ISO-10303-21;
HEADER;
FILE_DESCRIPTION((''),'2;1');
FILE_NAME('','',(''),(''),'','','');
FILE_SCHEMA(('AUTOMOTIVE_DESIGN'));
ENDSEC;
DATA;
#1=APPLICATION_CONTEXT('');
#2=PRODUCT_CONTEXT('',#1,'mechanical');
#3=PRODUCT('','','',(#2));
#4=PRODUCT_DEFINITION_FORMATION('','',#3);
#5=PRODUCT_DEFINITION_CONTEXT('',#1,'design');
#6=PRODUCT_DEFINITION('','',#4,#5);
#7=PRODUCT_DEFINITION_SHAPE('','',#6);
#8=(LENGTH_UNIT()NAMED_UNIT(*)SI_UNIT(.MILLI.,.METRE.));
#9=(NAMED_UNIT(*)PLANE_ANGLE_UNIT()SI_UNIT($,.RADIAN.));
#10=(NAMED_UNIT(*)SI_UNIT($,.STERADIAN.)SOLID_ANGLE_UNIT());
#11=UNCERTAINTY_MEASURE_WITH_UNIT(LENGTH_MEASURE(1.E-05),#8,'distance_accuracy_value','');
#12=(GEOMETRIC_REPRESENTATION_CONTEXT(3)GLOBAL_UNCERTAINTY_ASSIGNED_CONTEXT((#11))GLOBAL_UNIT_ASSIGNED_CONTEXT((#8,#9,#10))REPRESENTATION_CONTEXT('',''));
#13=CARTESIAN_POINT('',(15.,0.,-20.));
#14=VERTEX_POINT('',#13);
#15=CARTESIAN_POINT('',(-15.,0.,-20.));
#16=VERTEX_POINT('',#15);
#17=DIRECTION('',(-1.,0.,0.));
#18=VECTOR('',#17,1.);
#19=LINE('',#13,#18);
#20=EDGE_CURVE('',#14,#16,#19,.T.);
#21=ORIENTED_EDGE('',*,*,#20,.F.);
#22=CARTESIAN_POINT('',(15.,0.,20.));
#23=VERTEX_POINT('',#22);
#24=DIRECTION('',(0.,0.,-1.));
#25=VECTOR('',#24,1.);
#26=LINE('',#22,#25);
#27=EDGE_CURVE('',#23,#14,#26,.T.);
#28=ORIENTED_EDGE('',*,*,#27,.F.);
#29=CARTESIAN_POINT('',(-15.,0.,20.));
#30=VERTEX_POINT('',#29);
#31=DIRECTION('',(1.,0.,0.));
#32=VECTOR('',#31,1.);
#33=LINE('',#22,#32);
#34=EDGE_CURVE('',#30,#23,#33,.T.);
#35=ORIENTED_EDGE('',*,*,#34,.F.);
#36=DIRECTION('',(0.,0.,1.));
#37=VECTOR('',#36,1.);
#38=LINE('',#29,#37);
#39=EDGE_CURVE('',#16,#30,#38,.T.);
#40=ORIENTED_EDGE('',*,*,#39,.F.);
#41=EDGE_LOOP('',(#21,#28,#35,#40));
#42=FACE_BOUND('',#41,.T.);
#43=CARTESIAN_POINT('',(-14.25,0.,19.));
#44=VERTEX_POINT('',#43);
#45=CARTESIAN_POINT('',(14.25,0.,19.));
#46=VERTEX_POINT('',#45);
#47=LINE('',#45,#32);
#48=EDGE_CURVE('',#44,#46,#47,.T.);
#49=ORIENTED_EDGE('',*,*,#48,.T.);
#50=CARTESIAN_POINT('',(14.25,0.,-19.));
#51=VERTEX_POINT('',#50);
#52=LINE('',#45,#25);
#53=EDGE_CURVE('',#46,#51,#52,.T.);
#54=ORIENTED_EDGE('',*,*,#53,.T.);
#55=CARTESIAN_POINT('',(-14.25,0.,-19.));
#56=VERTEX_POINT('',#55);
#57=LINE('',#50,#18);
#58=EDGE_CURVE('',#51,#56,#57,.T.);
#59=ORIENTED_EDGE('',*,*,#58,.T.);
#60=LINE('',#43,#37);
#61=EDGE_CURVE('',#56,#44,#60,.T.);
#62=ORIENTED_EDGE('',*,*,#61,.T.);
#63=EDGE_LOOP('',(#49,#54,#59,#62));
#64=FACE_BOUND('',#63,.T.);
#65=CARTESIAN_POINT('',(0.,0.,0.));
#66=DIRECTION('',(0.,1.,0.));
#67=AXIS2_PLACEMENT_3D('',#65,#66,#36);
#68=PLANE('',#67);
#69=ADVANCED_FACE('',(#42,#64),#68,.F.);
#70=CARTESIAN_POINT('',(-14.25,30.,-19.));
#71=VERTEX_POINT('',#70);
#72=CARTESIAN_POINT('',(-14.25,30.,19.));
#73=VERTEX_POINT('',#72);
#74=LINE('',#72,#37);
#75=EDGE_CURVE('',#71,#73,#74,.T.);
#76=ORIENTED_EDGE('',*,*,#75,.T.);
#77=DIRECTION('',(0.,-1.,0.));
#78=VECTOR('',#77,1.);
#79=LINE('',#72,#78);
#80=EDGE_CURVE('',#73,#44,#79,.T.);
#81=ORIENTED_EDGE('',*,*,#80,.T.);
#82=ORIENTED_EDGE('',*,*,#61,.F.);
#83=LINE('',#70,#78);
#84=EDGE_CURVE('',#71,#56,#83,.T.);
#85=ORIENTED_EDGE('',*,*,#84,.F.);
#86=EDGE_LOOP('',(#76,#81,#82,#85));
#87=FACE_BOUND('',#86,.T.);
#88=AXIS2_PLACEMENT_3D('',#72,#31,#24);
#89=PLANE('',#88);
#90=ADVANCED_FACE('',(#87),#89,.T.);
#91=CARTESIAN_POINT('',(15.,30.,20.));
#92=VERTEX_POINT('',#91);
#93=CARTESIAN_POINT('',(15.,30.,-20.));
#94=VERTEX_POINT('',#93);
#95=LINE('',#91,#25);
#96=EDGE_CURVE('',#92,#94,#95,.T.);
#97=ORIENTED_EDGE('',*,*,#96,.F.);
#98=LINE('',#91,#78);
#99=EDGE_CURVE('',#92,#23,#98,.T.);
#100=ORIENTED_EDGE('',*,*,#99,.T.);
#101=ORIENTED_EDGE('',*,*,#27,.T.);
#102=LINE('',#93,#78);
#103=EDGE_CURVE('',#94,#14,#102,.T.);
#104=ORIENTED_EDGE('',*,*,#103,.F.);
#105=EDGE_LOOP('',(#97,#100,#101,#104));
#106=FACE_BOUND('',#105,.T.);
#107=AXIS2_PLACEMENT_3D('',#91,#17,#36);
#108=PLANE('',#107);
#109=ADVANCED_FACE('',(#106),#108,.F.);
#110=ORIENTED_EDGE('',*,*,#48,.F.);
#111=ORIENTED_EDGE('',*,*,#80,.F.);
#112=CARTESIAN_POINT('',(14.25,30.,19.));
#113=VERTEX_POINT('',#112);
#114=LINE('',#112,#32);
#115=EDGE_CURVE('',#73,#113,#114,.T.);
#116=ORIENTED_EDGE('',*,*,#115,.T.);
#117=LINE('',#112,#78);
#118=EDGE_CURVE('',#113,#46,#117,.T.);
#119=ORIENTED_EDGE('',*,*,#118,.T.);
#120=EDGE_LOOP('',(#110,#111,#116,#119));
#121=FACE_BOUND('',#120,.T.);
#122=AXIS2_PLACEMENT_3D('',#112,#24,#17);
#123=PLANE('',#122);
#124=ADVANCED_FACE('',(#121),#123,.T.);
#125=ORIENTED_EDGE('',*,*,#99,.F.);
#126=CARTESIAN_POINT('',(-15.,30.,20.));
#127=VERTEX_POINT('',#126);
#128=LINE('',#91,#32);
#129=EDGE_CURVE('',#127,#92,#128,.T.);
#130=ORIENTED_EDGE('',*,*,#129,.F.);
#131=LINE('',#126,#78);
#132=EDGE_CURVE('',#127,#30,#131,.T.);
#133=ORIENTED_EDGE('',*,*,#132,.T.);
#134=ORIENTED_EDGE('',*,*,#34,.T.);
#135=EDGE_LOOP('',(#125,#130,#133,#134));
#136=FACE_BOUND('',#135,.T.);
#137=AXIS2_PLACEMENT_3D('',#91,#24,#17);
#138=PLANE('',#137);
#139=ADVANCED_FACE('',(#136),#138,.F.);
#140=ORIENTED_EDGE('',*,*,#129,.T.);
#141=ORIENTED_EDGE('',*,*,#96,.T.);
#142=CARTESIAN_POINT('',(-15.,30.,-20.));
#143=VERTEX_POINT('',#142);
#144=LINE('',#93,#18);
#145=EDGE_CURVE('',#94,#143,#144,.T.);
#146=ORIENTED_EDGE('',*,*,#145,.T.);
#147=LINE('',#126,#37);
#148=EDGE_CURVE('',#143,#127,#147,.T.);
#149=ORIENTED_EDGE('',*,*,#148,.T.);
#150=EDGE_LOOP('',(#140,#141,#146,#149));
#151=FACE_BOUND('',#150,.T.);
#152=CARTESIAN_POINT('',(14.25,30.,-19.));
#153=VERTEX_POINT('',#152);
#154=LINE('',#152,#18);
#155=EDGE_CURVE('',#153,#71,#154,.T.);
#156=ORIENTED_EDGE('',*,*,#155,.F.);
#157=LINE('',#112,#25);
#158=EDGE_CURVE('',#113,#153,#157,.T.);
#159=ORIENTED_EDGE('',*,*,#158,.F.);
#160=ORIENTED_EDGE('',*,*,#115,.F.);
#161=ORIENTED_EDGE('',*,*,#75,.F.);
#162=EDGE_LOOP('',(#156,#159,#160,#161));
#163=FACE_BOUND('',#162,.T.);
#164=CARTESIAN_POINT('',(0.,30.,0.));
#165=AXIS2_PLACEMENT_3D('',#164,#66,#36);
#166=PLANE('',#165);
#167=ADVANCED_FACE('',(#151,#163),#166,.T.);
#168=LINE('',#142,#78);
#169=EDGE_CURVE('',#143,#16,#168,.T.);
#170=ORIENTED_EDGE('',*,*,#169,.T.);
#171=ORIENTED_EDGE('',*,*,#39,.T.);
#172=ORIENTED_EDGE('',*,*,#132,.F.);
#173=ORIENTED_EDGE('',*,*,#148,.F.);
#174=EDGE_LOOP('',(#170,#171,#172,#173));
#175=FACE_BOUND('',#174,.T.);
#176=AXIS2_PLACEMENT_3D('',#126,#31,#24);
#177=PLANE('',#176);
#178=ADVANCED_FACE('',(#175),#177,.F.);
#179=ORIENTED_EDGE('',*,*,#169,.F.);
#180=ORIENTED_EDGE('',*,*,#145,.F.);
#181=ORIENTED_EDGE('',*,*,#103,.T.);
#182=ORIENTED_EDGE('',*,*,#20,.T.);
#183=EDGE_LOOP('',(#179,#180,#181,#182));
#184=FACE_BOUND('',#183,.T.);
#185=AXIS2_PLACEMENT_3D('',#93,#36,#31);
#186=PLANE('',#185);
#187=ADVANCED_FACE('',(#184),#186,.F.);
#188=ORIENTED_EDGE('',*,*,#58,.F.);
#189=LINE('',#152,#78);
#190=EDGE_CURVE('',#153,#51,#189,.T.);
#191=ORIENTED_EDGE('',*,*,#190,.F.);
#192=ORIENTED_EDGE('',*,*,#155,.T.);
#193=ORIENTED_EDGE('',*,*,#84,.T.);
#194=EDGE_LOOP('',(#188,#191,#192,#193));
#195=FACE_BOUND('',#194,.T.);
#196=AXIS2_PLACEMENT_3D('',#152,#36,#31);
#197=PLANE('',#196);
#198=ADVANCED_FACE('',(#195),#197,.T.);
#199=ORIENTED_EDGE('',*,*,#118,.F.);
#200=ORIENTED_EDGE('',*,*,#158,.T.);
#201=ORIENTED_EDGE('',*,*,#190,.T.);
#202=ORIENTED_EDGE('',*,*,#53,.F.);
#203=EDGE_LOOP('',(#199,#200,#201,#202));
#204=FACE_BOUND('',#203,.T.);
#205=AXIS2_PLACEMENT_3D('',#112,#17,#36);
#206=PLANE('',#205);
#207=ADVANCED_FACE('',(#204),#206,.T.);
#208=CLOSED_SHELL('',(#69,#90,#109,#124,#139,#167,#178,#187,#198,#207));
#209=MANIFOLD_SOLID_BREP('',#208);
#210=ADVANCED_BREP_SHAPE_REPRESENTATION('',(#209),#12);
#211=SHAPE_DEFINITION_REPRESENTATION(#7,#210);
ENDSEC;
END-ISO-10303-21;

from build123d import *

# Parameters (mm, degrees)
SKETCH1_W           = 30
SKETCH1_H           = 40
SKETCH1_W_2         = 28.5
SKETCH1_H_2         = 38
BOSS_EXTRUDE1_DEPTH = 30


with BuildPart() as part:
    # Sketch1 → Boss-Extrude1 (new body)
    with BuildSketch(Plane(origin=(0, 0, 0), x_dir=(1, 0, 0), z_dir=(0, 1, 0))):
        Rectangle(SKETCH1_W, SKETCH1_H)
        Rectangle(SKETCH1_W_2, SKETCH1_H_2, mode=Mode.SUBTRACT)
    extrude(amount=BOSS_EXTRUDE1_DEPTH)


solid = part.part
